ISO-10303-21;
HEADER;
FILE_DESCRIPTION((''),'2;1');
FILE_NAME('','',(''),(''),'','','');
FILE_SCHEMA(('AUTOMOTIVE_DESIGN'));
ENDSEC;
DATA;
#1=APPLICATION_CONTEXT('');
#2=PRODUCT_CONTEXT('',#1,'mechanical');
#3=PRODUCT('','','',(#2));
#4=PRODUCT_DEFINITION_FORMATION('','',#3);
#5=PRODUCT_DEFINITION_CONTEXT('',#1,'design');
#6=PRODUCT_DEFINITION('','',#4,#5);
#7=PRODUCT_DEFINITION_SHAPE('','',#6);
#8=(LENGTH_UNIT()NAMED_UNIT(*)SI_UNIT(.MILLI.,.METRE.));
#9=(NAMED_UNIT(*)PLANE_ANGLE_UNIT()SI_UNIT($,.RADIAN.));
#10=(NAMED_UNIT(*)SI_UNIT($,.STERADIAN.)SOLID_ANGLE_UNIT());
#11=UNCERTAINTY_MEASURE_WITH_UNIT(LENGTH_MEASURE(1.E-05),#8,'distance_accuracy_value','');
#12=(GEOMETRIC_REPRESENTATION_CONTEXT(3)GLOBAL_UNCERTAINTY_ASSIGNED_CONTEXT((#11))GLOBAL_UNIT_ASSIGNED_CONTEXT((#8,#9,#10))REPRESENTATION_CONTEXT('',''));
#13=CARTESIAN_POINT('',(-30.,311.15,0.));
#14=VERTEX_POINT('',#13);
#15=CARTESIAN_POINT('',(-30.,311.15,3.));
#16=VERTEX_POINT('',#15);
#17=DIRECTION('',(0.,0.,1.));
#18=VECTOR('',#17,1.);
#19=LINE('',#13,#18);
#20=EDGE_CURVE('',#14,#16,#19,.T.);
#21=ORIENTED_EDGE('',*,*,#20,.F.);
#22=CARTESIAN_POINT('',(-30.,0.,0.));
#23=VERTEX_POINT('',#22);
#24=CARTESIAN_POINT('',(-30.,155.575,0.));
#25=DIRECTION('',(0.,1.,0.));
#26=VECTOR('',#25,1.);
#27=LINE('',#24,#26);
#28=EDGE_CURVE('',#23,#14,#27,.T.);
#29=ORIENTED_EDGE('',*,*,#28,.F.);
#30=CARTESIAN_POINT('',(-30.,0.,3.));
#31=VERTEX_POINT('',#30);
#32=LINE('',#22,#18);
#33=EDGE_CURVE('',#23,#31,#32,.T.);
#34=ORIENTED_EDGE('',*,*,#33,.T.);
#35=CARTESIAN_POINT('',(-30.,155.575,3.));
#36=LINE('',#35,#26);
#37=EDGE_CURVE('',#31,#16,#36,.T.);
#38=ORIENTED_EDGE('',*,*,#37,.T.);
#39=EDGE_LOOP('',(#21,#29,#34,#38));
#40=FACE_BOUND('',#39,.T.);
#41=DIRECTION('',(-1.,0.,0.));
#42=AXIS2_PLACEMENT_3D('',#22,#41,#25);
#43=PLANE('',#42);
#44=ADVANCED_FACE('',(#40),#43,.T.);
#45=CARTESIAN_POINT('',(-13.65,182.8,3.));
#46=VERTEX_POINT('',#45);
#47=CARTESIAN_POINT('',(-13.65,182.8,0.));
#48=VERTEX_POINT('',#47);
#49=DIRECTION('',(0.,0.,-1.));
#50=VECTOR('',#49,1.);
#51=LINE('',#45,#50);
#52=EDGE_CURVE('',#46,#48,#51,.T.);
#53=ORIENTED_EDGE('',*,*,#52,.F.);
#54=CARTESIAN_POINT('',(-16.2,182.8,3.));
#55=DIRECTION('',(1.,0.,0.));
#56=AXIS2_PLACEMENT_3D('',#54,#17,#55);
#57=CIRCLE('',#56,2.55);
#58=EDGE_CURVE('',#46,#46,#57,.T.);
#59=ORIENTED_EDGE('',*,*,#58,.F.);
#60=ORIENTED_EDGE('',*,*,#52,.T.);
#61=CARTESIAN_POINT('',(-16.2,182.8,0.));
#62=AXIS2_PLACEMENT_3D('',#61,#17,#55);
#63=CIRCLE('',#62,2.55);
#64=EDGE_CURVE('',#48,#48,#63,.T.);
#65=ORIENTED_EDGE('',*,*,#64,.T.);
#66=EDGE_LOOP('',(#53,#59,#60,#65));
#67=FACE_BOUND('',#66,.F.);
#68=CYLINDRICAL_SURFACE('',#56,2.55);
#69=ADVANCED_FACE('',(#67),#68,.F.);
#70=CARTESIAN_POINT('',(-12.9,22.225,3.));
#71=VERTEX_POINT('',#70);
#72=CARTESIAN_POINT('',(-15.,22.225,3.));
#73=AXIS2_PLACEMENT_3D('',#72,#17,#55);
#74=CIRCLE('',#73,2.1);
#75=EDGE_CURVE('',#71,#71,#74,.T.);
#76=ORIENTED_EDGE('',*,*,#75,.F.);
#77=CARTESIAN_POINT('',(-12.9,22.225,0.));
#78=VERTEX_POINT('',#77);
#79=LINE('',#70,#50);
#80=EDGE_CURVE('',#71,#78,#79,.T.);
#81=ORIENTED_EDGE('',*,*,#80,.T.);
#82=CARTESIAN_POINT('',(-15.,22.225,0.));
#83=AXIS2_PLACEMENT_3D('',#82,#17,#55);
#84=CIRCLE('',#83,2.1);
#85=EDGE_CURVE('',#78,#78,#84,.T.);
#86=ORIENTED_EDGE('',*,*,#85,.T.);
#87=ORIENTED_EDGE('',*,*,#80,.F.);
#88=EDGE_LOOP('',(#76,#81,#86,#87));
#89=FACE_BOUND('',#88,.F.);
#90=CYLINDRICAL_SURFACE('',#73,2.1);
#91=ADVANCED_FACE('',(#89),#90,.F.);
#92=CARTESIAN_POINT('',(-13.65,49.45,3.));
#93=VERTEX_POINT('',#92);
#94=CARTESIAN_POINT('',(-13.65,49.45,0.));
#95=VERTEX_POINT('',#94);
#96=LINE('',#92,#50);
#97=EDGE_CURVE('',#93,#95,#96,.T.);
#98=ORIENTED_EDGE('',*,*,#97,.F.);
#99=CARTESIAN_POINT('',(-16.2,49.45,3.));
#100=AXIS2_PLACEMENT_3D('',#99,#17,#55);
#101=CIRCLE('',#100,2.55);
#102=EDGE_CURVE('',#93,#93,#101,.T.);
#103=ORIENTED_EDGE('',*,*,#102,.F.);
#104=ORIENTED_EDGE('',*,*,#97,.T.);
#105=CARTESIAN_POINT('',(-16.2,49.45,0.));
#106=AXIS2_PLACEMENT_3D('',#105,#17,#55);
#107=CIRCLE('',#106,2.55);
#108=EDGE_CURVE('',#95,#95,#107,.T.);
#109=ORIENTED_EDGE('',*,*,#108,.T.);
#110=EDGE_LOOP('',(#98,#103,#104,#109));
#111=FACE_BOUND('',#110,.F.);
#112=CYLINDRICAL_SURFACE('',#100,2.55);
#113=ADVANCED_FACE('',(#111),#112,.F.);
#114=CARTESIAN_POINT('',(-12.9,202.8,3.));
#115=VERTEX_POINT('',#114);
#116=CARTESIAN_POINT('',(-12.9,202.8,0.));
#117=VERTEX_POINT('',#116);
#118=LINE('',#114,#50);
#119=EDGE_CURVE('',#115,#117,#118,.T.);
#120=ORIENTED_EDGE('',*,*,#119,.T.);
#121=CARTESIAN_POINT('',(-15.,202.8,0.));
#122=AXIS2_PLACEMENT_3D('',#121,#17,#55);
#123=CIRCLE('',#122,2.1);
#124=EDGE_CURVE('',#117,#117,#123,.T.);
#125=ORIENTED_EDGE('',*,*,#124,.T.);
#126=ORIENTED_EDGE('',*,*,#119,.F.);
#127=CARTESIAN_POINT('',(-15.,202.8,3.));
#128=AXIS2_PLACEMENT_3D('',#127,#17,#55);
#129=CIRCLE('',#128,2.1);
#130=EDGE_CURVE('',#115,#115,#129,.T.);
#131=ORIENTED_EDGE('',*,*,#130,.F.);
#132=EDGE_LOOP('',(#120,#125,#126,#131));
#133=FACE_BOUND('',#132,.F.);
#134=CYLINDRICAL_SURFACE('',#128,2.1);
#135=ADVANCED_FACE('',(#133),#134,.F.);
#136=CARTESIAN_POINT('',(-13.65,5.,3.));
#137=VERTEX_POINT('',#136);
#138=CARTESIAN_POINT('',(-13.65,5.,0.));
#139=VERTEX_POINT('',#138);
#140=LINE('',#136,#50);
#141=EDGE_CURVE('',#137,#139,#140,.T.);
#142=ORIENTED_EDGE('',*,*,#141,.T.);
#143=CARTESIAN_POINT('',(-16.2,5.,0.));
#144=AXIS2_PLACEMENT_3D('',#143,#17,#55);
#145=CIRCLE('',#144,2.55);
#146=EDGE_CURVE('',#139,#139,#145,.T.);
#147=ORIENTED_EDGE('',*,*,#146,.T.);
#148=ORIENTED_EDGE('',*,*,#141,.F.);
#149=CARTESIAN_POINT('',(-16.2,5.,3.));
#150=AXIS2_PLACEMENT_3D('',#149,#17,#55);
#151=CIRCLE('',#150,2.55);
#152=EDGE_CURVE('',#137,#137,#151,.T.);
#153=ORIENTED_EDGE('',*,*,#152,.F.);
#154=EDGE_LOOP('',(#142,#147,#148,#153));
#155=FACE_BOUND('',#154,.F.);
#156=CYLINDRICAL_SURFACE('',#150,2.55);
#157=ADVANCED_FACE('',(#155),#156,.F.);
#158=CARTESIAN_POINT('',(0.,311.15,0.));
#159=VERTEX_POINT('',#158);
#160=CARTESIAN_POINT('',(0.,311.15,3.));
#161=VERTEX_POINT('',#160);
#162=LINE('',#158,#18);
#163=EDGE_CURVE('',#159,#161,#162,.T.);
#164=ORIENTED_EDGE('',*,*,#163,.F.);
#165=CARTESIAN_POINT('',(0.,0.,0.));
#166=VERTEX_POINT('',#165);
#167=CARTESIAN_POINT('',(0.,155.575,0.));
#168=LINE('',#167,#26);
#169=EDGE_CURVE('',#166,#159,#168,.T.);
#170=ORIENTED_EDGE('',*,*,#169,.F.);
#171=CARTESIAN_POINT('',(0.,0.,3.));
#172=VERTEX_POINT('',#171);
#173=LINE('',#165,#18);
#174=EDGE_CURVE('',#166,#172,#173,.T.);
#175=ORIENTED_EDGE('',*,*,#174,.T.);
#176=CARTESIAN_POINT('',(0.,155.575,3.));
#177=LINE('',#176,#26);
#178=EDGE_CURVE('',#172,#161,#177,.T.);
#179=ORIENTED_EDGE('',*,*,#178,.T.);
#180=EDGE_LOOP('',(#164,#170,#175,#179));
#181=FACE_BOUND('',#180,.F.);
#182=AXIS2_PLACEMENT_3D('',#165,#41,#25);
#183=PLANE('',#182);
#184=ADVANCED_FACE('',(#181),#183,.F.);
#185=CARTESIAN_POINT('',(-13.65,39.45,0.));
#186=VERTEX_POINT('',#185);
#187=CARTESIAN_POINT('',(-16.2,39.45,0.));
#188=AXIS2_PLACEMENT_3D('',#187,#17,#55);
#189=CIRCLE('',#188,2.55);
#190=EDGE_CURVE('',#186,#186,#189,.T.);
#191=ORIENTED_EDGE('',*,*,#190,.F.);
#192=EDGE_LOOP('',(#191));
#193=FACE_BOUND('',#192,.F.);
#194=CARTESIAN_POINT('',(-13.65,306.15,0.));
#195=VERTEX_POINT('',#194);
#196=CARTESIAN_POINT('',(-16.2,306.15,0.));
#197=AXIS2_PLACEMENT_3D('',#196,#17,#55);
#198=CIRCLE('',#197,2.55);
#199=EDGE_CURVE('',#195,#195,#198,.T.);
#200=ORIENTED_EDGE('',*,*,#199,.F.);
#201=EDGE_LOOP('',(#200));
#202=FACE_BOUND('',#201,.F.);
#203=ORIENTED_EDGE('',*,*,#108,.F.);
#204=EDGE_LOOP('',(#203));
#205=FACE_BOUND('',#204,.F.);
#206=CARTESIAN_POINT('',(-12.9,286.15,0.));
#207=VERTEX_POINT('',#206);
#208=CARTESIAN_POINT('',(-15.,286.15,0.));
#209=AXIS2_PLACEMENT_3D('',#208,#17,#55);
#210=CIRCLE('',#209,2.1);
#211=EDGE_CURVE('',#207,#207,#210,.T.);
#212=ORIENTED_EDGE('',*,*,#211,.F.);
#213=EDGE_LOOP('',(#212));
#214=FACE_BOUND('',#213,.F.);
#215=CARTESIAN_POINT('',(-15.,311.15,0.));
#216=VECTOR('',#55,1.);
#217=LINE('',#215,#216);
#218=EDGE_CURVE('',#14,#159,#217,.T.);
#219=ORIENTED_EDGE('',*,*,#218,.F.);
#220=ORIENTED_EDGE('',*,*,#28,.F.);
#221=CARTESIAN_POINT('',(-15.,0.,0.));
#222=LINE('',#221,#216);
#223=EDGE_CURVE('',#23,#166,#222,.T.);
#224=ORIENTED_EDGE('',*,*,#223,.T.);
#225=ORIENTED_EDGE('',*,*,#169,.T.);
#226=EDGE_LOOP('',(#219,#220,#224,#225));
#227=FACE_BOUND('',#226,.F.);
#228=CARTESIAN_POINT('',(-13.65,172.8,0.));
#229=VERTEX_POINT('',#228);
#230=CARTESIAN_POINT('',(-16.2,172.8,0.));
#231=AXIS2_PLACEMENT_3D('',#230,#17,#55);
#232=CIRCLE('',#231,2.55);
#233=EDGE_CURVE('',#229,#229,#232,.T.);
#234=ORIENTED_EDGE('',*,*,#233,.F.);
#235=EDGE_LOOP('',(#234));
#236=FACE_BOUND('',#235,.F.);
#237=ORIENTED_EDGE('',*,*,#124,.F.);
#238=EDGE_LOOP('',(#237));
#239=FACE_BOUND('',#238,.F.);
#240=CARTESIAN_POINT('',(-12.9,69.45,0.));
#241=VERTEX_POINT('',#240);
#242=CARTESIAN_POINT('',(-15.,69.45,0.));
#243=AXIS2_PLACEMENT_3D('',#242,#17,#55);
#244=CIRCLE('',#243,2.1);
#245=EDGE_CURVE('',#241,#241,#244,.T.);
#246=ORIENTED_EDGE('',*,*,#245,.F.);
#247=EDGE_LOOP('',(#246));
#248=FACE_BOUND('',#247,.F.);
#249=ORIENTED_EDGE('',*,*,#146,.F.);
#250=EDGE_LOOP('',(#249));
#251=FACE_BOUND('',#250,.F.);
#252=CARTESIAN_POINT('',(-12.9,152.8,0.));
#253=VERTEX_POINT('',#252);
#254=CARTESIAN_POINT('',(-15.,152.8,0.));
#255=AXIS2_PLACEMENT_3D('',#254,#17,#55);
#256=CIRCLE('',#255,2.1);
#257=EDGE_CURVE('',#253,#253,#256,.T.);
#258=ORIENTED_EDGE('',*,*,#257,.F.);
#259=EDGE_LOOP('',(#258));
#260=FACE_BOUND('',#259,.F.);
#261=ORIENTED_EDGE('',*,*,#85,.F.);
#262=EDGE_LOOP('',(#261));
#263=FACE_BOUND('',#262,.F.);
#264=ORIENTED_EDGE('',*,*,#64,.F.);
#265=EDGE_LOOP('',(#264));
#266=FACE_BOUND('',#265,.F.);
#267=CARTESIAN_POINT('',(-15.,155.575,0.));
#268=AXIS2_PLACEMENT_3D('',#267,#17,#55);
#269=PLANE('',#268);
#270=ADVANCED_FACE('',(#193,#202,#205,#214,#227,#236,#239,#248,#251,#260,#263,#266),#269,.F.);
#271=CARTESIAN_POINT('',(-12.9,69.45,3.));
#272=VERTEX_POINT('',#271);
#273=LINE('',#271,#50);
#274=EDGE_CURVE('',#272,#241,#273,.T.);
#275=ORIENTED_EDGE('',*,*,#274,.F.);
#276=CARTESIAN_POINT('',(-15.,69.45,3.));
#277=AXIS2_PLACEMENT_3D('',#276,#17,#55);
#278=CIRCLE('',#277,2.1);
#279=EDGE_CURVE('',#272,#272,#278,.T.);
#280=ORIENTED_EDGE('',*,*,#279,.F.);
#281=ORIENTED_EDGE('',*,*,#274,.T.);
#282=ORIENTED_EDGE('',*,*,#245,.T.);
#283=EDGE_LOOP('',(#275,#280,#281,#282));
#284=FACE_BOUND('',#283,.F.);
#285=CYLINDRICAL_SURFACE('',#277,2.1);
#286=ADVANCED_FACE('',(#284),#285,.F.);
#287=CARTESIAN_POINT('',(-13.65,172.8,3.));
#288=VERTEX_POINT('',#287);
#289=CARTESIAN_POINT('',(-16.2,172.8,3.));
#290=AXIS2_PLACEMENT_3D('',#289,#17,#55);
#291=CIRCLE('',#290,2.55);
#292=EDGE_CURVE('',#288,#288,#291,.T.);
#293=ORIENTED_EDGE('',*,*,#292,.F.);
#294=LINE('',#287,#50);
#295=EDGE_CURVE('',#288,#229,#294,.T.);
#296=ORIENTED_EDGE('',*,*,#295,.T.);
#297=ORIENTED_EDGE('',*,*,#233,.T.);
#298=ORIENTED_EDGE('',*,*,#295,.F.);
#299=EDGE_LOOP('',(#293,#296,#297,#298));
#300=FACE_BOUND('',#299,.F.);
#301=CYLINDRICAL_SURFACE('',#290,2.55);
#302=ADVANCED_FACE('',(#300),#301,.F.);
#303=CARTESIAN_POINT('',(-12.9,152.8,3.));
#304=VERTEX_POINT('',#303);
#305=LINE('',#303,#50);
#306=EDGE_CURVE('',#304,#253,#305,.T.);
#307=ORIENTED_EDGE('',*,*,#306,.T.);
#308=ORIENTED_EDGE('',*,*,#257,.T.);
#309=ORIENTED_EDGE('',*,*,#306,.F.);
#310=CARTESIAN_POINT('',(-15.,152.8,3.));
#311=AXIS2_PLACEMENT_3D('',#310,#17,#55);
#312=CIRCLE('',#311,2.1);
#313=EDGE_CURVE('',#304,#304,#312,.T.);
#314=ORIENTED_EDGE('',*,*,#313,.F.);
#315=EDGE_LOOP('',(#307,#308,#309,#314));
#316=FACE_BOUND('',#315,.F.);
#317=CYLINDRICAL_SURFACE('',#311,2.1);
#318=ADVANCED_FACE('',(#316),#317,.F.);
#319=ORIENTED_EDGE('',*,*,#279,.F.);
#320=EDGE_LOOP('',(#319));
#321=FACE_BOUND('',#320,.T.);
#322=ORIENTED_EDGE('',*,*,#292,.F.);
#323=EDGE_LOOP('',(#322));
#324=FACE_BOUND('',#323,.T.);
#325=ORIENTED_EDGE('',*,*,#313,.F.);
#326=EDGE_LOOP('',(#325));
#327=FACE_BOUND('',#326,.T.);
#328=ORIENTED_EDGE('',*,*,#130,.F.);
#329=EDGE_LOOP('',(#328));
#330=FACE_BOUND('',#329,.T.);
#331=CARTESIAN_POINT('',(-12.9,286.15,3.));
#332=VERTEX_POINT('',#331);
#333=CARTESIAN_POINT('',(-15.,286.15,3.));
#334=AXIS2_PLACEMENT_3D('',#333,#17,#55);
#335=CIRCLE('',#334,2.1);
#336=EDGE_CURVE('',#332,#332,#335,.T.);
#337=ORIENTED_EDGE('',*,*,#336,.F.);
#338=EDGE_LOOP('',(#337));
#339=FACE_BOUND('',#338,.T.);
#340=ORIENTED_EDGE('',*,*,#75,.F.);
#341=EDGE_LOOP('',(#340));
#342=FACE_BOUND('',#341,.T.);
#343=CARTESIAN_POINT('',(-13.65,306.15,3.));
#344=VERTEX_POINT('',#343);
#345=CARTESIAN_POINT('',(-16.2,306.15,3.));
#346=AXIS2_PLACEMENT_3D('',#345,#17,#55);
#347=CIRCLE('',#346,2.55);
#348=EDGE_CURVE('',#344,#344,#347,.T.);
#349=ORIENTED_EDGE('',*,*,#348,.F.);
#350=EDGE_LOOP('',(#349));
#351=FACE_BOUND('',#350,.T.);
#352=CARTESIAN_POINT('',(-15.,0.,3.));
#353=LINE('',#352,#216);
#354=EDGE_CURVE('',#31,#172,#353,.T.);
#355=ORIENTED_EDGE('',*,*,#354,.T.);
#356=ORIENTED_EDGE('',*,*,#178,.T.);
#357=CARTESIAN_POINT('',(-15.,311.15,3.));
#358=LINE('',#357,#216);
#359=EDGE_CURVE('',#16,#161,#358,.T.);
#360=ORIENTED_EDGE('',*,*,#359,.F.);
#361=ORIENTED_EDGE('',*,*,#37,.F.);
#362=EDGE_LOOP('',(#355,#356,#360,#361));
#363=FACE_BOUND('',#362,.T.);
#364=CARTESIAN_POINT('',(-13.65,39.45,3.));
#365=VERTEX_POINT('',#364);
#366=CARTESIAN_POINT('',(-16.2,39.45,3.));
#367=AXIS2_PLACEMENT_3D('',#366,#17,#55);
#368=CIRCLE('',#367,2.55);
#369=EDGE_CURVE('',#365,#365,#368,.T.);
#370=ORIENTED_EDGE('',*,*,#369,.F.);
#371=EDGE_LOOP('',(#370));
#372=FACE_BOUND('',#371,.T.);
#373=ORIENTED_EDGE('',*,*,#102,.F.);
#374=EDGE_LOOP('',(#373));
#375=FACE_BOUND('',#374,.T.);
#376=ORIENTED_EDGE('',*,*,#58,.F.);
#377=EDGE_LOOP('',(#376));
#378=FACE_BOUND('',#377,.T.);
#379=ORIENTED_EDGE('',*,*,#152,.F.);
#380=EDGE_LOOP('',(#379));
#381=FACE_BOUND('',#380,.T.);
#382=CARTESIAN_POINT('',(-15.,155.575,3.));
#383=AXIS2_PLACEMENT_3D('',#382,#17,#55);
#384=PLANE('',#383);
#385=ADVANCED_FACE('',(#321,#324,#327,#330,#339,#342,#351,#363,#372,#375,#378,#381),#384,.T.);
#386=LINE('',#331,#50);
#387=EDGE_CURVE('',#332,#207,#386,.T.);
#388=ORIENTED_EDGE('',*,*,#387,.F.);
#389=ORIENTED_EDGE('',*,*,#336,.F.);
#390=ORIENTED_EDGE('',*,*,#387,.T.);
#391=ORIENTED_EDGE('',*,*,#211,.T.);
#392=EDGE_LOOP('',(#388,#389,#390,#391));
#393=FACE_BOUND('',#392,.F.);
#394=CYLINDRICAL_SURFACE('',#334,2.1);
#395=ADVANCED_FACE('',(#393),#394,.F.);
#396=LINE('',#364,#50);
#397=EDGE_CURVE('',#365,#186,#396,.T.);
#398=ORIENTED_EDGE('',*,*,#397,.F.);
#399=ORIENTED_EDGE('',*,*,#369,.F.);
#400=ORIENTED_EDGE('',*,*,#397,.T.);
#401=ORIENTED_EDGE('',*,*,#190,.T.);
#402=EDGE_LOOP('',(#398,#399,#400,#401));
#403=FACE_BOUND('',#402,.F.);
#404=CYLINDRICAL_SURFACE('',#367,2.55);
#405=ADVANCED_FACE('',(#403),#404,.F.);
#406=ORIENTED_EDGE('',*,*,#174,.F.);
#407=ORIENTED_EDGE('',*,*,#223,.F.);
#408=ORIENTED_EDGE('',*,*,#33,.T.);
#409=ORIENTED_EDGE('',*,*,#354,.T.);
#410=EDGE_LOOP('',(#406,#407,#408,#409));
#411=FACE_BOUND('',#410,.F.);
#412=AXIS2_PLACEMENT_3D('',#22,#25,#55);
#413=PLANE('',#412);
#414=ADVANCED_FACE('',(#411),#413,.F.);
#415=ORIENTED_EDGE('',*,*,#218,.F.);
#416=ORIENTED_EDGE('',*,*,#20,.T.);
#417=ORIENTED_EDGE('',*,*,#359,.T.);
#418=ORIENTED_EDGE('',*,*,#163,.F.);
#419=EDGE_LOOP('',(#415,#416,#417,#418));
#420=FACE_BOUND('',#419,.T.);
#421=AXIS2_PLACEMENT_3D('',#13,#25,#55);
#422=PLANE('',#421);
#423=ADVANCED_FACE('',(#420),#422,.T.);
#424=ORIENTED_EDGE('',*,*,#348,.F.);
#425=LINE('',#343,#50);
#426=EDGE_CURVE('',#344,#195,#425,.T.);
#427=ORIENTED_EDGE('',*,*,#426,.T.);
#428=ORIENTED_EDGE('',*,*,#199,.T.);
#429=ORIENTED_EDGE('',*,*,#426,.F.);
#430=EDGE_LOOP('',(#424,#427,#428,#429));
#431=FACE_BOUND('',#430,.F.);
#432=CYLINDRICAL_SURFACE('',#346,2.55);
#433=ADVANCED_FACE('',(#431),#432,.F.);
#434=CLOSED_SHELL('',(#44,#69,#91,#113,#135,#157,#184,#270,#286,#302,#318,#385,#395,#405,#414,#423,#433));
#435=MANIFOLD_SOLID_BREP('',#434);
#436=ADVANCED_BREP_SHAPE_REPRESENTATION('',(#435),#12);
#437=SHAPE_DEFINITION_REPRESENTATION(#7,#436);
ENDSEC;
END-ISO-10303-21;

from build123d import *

# Parameters (mm, degrees)
SKETCH_W      = 30
SKETCH_H      = 311.15
PAD_DEPTH     = 3
SKETCH001_R   = 2.55
SKETCH001_R_2 = 2.1
POCKET_DEPTH  = 3.001


with BuildPart() as part:
    # Sketch → Pad (new body)
    with BuildSketch(Plane.XY):
        with Locations((-15, 155.575)):
            Rectangle(SKETCH_W, SKETCH_H)
    extrude(amount=PAD_DEPTH)

    # Sketch001 (on Face6 of Pad) → Pocket (cut, through all)
    with BuildSketch(Plane.XY.offset(3)):
        with Locations((-16.2, 5)):
            Circle(SKETCH001_R)
        with Locations((-16.2, 39.45)):
            Circle(SKETCH001_R)
        with Locations((-16.2, 49.45)):
            Circle(SKETCH001_R)
        with Locations((-16.2, 172.8)):
            Circle(SKETCH001_R)
        with Locations((-16.2, 182.8)):
            Circle(SKETCH001_R)
        with Locations((-16.2, 306.15)):
            Circle(SKETCH001_R)
        with Locations((-15, 22.225)):
            Circle(SKETCH001_R_2)
        with Locations((-15, 69.45)):
            Circle(SKETCH001_R_2)
        with Locations((-15, 152.8)):
            Circle(SKETCH001_R_2)
        with Locations((-15, 202.8)):
            Circle(SKETCH001_R_2)
        with Locations((-15, 286.15)):
            Circle(SKETCH001_R_2)
    extrude(amount=-POCKET_DEPTH, mode=Mode.SUBTRACT)


solid = part.part
